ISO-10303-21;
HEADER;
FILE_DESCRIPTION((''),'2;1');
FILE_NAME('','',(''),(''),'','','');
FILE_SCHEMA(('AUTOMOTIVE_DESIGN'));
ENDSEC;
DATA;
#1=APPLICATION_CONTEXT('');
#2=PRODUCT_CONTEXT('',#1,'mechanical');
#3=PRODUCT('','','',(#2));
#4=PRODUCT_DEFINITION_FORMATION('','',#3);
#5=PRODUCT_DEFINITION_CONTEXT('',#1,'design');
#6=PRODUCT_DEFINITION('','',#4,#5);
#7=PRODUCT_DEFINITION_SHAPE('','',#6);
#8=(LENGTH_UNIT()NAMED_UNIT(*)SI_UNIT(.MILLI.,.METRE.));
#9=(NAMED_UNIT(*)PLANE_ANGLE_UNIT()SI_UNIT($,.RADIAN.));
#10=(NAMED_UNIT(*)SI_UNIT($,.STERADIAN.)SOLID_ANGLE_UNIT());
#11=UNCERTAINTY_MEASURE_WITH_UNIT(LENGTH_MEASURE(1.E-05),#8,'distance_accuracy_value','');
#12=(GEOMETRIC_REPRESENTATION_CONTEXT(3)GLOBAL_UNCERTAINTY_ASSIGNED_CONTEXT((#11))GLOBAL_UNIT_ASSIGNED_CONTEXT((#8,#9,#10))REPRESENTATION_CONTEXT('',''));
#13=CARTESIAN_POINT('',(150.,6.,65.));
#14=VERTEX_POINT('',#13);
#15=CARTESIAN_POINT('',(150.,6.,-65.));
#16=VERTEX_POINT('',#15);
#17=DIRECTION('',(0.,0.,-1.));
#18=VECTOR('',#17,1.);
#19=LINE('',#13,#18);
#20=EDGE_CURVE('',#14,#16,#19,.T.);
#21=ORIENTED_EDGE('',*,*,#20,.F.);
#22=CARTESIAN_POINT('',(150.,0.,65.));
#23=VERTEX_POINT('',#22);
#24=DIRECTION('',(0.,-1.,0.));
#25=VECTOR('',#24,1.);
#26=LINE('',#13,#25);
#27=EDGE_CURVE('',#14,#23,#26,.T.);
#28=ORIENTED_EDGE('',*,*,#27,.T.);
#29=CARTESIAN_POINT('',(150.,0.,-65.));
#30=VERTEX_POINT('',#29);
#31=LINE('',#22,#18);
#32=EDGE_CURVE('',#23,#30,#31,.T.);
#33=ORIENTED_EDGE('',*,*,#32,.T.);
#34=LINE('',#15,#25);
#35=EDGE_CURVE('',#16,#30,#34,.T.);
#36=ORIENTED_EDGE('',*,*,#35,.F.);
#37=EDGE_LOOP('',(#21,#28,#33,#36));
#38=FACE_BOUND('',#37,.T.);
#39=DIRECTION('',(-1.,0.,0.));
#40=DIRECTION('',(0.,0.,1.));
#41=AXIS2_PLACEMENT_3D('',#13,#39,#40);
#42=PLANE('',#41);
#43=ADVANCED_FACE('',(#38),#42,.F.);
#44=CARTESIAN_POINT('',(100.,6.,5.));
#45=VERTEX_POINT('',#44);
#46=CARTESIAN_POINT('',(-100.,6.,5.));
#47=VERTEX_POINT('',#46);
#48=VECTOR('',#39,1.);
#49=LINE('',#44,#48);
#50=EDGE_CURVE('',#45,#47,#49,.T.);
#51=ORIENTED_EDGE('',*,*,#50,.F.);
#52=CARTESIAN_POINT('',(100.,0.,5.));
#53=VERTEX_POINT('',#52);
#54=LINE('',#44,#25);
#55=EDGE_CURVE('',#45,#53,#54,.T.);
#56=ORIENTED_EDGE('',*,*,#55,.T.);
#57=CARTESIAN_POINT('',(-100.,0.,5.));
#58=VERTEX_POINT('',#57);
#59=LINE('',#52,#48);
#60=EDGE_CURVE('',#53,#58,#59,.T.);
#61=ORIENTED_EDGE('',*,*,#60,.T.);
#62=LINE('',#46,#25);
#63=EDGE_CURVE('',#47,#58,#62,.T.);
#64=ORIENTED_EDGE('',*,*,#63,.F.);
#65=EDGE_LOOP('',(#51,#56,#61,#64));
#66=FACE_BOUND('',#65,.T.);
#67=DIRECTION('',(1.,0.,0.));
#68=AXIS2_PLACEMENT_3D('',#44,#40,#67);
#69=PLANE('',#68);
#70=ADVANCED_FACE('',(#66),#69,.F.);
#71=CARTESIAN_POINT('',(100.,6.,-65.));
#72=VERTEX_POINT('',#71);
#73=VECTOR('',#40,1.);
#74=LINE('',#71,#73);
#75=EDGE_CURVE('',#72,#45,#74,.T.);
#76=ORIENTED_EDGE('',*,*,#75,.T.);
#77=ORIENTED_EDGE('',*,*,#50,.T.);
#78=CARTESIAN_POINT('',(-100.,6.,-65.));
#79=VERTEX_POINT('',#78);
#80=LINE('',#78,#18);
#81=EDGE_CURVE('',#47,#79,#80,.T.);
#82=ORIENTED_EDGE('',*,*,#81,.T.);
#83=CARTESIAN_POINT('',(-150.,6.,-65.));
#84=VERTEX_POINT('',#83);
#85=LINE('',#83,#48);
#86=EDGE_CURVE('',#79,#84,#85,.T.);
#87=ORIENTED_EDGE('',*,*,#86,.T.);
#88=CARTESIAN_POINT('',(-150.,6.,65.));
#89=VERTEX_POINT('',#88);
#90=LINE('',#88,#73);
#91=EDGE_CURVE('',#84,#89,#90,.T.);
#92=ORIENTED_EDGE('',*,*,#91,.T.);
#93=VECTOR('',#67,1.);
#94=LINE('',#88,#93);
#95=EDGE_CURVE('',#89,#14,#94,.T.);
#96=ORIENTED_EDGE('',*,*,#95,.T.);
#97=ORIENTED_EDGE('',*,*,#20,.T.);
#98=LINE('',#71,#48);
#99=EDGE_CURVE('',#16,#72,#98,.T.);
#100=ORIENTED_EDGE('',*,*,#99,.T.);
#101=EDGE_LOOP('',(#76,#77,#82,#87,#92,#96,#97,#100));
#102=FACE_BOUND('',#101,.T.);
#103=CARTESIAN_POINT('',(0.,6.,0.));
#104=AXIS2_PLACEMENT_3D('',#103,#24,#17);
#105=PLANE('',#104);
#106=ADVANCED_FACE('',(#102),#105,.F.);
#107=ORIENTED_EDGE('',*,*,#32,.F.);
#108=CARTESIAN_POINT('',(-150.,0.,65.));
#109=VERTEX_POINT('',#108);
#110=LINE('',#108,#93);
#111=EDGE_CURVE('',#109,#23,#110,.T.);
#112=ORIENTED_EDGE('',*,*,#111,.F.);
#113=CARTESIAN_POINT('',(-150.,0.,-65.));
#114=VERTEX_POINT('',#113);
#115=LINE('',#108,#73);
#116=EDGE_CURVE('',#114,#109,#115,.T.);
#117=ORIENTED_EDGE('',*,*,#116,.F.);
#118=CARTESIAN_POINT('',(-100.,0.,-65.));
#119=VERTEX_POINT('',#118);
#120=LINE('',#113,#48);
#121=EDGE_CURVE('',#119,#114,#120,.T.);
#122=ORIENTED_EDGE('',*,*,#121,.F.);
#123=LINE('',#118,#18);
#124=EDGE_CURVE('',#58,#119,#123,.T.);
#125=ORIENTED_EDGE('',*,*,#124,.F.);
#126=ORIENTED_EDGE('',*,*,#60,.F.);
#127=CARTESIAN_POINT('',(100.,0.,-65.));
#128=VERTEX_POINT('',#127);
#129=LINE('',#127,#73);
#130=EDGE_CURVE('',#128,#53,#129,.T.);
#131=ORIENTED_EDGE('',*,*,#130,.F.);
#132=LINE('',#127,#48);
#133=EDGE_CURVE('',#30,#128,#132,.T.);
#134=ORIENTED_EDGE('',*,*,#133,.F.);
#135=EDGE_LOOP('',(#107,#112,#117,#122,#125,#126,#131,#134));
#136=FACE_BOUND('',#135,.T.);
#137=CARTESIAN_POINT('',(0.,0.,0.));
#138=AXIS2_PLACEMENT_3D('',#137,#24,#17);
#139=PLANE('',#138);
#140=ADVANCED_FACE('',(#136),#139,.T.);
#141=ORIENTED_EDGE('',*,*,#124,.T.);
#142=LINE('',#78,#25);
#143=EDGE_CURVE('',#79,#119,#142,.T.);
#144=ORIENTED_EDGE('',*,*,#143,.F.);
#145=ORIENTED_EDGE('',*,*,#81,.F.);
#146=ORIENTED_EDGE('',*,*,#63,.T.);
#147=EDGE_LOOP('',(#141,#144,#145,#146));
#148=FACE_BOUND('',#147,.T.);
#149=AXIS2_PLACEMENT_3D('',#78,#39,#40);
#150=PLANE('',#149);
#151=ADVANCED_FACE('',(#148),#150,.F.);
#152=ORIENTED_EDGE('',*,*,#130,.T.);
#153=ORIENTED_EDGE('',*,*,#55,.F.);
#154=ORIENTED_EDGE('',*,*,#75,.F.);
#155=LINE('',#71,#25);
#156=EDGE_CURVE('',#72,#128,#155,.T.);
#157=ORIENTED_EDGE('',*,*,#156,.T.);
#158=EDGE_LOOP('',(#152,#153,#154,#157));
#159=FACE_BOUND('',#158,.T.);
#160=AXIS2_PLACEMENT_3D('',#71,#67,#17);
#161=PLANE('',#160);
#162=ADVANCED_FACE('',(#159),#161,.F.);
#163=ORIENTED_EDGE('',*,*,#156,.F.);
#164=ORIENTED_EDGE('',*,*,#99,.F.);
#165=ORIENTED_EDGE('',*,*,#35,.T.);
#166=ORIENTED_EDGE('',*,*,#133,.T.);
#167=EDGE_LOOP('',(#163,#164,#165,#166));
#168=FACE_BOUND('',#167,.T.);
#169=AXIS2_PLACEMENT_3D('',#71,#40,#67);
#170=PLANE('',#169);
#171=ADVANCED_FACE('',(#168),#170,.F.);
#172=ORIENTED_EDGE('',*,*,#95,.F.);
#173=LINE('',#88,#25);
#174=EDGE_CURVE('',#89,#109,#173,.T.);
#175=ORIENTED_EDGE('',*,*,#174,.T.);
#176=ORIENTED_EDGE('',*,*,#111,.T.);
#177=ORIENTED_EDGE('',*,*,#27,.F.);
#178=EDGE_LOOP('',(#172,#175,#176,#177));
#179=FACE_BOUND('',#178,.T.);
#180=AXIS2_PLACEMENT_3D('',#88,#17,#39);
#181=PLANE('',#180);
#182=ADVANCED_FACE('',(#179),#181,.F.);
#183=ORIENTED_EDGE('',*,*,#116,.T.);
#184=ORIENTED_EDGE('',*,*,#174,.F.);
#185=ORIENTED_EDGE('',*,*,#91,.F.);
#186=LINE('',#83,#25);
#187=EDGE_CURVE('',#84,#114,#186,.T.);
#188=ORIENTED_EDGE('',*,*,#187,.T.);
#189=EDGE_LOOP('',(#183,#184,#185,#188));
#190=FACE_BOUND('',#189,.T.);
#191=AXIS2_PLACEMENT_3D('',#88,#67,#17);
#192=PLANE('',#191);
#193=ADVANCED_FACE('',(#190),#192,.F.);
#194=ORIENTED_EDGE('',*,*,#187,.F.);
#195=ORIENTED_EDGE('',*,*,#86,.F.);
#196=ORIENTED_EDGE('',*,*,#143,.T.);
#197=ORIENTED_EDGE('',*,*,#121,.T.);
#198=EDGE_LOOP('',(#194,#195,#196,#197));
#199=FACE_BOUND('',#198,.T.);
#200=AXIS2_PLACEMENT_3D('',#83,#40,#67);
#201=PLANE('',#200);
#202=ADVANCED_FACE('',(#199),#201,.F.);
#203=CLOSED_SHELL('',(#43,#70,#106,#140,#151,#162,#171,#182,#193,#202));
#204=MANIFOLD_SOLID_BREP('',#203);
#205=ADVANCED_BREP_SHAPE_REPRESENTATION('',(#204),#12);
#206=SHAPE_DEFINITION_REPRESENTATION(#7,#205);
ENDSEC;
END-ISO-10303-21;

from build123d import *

# Parameters (mm, degrees)
BOSS_EXTRUDE1_DEPTH = 6


with BuildPart() as part:
    # Sketch1 → Boss-Extrude1 (new body)
    with BuildSketch(Plane(origin=(0, 0, 0), x_dir=(1, 0, 0), z_dir=(0, 1, 0))):
        Polygon((100, 65), (150, 65), (150, -65), (-150, -65), (-150, 65), (-100, 65), (-100, -5), (100, -5), align=None)
    extrude(amount=BOSS_EXTRUDE1_DEPTH)


solid = part.part
